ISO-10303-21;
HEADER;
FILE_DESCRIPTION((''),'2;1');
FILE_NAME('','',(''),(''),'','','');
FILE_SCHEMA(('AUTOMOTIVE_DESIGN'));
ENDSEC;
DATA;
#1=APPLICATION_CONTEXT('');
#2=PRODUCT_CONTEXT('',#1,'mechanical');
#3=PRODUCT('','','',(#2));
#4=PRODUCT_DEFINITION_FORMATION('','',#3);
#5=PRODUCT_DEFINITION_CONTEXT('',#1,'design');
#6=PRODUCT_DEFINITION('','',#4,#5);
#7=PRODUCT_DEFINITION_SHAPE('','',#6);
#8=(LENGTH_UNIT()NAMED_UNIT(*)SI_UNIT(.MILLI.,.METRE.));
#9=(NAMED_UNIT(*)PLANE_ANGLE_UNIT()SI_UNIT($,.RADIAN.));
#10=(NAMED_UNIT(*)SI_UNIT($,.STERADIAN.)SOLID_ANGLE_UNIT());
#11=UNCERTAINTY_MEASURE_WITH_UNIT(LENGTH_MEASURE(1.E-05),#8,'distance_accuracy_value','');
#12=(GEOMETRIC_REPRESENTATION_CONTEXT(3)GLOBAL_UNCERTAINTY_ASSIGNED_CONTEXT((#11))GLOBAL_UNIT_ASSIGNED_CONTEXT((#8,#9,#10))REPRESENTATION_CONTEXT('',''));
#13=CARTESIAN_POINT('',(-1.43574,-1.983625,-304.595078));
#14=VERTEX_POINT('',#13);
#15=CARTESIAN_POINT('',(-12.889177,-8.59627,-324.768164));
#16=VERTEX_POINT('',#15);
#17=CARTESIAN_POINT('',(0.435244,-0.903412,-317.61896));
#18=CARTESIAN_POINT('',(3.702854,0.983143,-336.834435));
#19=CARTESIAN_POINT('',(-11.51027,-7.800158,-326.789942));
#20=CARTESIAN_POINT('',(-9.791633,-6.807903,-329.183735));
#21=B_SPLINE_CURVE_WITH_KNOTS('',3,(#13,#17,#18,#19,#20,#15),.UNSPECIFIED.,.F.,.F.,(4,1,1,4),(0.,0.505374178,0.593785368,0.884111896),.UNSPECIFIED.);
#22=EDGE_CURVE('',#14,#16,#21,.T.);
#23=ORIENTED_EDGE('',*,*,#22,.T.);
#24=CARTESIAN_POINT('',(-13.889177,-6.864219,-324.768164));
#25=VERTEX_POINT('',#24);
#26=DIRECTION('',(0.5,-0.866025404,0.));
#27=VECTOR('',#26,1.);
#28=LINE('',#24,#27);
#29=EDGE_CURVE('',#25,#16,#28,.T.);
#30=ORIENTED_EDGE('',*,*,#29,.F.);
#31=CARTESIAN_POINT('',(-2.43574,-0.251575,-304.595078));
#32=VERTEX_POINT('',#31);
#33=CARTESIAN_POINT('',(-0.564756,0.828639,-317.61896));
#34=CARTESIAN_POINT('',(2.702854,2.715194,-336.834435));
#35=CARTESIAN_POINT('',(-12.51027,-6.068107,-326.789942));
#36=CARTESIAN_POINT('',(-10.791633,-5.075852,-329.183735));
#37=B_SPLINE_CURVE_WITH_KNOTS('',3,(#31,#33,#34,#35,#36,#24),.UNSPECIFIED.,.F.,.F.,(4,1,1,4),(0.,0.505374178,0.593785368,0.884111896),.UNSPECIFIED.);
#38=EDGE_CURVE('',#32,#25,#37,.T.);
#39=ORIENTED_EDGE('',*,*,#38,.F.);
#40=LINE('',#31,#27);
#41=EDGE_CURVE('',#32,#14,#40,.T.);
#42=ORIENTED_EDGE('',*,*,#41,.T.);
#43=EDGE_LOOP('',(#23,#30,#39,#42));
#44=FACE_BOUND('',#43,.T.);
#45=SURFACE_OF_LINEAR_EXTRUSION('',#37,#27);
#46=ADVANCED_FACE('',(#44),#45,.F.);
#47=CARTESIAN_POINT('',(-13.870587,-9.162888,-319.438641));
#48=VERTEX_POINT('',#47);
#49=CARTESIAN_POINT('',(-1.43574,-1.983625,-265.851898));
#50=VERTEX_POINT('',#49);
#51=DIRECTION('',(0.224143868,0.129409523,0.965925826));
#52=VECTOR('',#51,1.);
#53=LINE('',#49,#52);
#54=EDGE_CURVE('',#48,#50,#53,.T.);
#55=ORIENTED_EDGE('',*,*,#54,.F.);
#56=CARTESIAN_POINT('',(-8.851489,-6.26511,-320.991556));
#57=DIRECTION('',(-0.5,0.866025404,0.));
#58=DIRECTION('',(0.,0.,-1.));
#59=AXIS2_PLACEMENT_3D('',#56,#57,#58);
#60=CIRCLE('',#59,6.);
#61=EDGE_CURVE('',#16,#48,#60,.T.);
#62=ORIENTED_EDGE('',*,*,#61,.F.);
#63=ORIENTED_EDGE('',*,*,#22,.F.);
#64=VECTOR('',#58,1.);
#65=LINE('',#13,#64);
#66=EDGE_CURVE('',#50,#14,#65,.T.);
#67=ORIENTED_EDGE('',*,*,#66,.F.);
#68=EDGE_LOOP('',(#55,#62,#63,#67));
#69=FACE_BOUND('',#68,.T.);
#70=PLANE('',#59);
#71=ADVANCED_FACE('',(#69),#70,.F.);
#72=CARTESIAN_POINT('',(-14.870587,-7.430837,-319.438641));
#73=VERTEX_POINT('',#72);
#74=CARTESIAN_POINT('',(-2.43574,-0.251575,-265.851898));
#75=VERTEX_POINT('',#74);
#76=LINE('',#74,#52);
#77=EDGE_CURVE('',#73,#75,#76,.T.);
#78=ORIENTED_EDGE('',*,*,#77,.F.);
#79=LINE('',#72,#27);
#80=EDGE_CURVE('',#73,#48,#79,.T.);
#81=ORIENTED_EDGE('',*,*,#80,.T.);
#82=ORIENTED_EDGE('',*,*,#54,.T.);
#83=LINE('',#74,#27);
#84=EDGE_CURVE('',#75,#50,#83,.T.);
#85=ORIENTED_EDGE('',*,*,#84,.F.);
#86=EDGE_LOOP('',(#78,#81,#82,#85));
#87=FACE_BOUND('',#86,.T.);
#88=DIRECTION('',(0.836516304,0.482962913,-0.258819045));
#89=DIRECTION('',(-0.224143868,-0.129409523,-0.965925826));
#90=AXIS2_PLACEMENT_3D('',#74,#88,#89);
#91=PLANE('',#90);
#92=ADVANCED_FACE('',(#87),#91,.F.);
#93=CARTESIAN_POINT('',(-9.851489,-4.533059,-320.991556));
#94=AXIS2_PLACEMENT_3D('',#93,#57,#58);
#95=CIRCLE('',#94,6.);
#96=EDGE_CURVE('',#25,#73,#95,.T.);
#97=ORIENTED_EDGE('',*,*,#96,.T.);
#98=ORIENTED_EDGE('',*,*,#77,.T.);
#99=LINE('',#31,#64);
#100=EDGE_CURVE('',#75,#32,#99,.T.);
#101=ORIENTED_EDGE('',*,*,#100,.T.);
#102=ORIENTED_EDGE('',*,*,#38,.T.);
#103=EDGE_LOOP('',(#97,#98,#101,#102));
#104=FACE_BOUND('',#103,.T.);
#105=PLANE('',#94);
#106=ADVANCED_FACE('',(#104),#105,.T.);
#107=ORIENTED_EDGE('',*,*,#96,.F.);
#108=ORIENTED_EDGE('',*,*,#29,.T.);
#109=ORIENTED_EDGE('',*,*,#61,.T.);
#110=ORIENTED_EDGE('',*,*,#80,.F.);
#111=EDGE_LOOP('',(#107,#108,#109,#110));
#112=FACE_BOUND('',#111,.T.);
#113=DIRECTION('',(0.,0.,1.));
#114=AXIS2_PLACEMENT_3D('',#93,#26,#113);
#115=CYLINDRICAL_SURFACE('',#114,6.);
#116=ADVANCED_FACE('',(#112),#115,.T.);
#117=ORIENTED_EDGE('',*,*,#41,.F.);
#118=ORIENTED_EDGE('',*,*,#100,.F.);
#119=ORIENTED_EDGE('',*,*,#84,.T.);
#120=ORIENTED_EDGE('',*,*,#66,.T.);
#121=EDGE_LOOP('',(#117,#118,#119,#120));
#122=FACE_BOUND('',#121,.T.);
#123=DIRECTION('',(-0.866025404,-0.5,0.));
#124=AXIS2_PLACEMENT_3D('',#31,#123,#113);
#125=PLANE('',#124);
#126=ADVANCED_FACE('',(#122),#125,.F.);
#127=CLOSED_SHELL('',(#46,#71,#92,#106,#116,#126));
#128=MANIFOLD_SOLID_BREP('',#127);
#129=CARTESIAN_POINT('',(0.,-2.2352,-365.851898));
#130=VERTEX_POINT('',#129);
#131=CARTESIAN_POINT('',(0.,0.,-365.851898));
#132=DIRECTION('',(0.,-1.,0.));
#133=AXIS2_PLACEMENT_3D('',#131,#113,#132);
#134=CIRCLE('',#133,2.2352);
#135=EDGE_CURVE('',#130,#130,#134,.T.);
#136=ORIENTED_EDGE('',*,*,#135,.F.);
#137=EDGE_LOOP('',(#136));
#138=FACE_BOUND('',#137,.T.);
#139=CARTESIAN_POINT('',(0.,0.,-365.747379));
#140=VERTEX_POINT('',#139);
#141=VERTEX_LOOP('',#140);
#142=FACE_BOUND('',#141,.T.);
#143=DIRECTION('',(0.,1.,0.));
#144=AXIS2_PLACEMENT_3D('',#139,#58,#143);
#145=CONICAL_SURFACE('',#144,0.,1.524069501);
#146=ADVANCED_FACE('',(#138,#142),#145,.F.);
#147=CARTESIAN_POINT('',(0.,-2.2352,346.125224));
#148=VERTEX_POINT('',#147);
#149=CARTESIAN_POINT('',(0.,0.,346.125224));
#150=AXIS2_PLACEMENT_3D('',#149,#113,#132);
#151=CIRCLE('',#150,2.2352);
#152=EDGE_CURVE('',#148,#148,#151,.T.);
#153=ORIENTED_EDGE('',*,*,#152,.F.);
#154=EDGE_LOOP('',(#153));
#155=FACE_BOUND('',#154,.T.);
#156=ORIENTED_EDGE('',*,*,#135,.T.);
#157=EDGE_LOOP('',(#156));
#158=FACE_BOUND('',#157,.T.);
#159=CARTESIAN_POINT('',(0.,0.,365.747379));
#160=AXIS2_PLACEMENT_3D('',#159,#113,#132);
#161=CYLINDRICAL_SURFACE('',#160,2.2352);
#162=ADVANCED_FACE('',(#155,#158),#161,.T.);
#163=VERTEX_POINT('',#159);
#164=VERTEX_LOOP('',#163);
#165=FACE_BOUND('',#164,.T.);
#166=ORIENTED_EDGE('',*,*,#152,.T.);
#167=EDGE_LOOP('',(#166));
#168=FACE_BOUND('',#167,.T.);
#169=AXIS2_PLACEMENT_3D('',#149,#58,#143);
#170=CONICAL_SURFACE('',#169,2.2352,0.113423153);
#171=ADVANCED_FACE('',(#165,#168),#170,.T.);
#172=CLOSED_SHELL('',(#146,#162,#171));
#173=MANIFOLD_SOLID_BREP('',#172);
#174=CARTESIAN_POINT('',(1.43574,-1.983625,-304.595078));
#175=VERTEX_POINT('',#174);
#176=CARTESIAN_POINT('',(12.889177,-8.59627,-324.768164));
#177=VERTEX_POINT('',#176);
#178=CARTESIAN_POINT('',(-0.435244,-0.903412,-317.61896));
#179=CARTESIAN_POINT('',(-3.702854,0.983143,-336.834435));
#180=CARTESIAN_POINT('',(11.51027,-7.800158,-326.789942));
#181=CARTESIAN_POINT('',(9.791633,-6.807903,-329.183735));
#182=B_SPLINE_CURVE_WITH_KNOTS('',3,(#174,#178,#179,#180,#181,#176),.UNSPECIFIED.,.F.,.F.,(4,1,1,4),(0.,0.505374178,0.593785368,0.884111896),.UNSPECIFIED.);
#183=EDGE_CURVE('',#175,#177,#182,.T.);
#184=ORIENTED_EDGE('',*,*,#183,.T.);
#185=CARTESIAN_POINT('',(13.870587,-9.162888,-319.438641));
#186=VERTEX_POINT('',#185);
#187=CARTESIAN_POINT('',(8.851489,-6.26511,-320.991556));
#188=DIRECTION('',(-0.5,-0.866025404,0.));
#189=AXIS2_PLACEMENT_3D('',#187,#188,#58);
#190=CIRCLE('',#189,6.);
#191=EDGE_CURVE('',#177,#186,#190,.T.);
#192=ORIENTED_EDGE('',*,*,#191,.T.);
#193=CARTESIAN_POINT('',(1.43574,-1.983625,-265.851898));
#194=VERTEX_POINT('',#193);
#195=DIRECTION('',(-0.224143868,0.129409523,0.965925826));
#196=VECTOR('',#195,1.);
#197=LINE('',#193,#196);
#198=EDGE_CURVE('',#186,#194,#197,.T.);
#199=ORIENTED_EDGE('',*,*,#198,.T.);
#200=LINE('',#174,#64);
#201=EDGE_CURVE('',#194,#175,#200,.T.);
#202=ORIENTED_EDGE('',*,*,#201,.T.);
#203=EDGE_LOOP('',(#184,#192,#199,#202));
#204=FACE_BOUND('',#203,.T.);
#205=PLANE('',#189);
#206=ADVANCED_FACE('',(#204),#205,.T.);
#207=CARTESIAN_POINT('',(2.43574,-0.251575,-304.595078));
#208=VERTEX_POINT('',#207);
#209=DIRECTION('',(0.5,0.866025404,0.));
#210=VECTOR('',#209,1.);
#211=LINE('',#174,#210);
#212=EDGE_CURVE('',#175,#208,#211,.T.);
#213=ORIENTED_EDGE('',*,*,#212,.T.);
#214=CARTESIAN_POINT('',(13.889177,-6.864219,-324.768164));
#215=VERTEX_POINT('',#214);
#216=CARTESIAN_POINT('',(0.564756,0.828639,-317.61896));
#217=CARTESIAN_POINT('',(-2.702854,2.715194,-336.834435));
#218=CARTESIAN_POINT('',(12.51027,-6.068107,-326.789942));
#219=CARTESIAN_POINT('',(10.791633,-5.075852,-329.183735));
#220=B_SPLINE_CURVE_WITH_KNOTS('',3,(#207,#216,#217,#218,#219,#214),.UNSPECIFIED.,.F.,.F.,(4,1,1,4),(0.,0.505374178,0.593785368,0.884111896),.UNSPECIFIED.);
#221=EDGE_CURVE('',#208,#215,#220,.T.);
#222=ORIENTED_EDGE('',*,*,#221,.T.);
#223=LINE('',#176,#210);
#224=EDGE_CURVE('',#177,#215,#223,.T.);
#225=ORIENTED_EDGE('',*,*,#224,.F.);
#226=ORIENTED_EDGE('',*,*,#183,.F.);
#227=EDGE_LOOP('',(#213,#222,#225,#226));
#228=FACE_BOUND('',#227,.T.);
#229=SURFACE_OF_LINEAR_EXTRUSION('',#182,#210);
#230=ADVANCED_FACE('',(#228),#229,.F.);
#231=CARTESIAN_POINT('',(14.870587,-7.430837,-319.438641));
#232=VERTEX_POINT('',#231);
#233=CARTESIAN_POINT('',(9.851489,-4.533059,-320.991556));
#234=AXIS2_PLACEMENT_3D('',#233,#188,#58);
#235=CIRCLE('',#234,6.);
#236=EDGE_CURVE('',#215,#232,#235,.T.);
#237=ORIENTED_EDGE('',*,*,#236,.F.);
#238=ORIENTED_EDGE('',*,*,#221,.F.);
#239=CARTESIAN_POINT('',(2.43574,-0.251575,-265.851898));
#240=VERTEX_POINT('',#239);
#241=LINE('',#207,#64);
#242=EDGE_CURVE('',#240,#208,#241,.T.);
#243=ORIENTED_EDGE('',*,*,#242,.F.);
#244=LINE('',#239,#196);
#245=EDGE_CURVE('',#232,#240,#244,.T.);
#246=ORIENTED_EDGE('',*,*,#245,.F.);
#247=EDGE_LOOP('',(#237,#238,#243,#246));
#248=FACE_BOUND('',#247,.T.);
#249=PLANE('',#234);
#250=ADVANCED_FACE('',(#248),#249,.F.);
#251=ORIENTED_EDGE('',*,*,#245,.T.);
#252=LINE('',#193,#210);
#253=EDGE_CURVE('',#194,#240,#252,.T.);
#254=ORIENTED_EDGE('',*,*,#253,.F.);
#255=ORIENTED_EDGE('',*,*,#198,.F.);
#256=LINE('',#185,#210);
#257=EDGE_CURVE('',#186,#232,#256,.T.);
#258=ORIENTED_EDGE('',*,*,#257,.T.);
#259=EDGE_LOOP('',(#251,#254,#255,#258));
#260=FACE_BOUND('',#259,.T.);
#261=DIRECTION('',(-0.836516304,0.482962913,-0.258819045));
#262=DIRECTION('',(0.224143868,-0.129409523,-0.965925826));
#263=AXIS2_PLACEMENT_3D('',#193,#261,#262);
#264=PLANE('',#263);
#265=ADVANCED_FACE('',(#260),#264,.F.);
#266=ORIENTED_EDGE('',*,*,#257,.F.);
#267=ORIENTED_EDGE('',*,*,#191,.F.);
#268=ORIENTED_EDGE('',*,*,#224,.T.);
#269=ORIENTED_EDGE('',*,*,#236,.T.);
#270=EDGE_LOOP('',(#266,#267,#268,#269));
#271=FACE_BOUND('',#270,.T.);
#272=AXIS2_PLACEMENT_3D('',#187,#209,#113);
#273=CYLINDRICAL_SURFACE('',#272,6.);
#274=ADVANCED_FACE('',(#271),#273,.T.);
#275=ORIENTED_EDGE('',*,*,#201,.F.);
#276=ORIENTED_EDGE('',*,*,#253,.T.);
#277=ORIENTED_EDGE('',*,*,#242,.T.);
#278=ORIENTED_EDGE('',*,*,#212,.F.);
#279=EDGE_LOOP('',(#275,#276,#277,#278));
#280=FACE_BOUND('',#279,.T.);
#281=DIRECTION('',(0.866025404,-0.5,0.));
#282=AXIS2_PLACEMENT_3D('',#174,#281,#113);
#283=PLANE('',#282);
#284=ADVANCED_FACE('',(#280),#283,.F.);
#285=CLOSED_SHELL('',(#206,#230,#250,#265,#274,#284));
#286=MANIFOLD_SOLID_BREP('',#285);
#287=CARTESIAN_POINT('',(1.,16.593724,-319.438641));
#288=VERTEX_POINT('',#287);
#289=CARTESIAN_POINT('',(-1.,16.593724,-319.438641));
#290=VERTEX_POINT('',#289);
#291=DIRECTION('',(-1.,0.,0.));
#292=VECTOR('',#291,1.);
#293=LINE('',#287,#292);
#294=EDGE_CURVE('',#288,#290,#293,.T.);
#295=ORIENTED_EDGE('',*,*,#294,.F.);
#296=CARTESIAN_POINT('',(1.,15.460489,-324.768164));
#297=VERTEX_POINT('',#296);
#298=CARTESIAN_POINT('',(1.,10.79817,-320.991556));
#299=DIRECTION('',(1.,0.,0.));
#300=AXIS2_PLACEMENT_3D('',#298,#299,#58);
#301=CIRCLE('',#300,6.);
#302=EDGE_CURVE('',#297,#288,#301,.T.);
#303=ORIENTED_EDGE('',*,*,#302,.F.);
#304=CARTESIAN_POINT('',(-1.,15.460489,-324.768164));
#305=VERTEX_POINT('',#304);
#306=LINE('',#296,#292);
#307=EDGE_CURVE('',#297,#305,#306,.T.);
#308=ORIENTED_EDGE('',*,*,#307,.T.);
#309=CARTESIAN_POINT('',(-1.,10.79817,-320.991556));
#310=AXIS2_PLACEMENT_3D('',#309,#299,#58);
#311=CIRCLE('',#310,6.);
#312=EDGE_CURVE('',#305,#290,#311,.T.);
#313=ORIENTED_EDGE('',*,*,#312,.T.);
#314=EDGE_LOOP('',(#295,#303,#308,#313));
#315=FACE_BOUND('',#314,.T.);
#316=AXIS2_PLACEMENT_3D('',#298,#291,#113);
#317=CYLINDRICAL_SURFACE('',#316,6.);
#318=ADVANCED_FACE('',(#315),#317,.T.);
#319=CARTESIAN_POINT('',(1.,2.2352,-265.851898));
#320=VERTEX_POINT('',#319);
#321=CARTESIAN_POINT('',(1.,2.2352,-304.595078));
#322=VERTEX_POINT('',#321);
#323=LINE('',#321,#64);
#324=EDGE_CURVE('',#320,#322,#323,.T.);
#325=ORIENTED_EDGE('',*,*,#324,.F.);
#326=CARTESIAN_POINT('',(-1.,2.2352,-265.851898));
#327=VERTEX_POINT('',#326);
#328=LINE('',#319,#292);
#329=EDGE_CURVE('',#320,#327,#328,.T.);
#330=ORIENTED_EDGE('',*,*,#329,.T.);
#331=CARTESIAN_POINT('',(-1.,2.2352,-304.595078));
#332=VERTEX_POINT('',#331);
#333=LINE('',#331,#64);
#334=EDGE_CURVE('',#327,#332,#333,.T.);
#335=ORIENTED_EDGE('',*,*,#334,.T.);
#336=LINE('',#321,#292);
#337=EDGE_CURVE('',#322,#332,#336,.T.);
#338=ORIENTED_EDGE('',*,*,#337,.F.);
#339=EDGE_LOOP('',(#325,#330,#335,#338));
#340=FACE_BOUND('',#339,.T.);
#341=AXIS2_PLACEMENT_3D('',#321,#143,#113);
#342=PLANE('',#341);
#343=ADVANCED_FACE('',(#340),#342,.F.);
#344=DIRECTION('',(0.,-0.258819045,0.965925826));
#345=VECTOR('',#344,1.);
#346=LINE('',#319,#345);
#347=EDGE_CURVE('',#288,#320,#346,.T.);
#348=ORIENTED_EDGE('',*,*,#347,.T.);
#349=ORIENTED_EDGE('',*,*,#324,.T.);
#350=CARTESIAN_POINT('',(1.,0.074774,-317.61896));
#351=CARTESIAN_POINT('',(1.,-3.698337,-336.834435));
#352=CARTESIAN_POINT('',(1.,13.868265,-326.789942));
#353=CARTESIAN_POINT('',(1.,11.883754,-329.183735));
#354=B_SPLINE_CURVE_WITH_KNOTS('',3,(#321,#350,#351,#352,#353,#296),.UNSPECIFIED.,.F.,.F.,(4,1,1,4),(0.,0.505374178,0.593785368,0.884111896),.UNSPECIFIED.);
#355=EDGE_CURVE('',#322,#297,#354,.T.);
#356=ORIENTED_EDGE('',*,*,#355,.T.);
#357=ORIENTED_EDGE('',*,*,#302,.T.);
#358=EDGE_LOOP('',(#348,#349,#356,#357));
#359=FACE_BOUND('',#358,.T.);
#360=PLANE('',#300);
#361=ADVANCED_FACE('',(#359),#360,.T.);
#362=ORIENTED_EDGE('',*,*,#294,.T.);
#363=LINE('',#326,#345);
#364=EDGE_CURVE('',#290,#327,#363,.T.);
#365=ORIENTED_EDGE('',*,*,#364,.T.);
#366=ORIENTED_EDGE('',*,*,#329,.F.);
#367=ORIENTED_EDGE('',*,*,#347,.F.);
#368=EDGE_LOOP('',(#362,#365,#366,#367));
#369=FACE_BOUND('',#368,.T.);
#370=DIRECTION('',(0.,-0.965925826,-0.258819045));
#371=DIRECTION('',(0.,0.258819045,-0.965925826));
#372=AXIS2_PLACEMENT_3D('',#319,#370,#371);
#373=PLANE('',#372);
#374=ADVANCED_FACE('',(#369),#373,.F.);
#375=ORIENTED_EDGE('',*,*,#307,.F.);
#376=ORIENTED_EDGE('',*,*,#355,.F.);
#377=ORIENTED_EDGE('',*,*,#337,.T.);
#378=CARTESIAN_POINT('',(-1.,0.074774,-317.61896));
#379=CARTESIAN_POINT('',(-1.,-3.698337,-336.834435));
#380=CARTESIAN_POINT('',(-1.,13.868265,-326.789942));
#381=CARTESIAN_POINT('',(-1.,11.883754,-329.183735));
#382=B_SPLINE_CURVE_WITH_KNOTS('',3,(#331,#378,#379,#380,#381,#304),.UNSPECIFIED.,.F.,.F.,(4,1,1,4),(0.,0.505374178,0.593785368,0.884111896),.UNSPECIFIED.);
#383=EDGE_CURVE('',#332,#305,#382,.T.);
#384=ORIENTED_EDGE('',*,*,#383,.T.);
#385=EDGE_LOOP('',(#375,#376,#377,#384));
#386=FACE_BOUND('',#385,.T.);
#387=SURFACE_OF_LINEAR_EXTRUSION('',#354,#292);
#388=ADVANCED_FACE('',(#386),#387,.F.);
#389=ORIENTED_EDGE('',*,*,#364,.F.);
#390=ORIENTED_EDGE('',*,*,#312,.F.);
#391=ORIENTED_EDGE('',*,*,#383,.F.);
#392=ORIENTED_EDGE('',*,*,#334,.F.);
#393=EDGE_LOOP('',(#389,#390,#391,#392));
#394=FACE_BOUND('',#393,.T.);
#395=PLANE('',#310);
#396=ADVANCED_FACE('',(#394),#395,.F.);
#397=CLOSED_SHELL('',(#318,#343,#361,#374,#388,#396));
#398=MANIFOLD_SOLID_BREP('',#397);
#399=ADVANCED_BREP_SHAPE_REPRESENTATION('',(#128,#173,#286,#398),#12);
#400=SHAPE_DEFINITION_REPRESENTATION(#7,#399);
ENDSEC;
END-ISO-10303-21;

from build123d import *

# Parameters (mm, degrees)
BOSS_EXTRUDE1_DEPTH = 1
CIRPATTERN5_COUNT   = 3


with BuildPart() as part:
    # Sketch1 → Revolve1 (revolve)
    with BuildSketch(Plane(origin=(0, 0, 0), x_dir=(0, 0, -1), z_dir=(1, 0, 0))):
        Polygon((-346.125224176, 2.2352), (365.85189849, 2.2352), (365.747378609, 0), (-365.747378609, 0), align=None)
    revolve(axis=Axis((0, 0, 365.747378609), (0, 0, -1)))


with BuildPart() as body_2:
    # Sketch3 → Boss-Extrude1 (new, symmetric)
    with BuildSketch(Plane(origin=(0, 0, 0), x_dir=(0, 0, -1), z_dir=(1, 0, 0))):
        with BuildLine():
            Line((304.595078034, 2.2352), (265.85189849, 2.2352))
            Line((265.85189849, 2.2352), (319.438641364, 16.593724478))
            ThreePointArc((319.438641364, 16.593724478), (322.239457722, 16.666963296), (324.768164309, 15.460489428))
            add(Edge.make_bspline(
                [(304.595078034, 2.2352), (317.618960328, 0.07477359), (336.834434555, -3.698336964), (326.789941802, 13.868265136), (329.183734977, 11.883754495), (324.768164309, 15.460489428)],
                knots=[0, 0, 0, 0, 0.505374178, 0.593785368, 0.884111896, 0.884111896, 0.884111896, 0.884111896], degree=3))
        make_face()
    extrude(amount=BOSS_EXTRUDE1_DEPTH, both=True)


with BuildPart() as cirpattern5_1:
    # CirPattern5: pattern copy
    add(body_2.part.rotate(Axis((0, 0, -365.747378609), (0, 0, -1)), 1 * 360 / CIRPATTERN5_COUNT))


with BuildPart() as cirpattern5_2:
    # CirPattern5: pattern copy
    add(body_2.part.rotate(Axis((0, 0, -365.747378609), (0, 0, -1)), 2 * 360 / CIRPATTERN5_COUNT))


solid = Compound([part.part, body_2.part, cirpattern5_1.part, cirpattern5_2.part])
